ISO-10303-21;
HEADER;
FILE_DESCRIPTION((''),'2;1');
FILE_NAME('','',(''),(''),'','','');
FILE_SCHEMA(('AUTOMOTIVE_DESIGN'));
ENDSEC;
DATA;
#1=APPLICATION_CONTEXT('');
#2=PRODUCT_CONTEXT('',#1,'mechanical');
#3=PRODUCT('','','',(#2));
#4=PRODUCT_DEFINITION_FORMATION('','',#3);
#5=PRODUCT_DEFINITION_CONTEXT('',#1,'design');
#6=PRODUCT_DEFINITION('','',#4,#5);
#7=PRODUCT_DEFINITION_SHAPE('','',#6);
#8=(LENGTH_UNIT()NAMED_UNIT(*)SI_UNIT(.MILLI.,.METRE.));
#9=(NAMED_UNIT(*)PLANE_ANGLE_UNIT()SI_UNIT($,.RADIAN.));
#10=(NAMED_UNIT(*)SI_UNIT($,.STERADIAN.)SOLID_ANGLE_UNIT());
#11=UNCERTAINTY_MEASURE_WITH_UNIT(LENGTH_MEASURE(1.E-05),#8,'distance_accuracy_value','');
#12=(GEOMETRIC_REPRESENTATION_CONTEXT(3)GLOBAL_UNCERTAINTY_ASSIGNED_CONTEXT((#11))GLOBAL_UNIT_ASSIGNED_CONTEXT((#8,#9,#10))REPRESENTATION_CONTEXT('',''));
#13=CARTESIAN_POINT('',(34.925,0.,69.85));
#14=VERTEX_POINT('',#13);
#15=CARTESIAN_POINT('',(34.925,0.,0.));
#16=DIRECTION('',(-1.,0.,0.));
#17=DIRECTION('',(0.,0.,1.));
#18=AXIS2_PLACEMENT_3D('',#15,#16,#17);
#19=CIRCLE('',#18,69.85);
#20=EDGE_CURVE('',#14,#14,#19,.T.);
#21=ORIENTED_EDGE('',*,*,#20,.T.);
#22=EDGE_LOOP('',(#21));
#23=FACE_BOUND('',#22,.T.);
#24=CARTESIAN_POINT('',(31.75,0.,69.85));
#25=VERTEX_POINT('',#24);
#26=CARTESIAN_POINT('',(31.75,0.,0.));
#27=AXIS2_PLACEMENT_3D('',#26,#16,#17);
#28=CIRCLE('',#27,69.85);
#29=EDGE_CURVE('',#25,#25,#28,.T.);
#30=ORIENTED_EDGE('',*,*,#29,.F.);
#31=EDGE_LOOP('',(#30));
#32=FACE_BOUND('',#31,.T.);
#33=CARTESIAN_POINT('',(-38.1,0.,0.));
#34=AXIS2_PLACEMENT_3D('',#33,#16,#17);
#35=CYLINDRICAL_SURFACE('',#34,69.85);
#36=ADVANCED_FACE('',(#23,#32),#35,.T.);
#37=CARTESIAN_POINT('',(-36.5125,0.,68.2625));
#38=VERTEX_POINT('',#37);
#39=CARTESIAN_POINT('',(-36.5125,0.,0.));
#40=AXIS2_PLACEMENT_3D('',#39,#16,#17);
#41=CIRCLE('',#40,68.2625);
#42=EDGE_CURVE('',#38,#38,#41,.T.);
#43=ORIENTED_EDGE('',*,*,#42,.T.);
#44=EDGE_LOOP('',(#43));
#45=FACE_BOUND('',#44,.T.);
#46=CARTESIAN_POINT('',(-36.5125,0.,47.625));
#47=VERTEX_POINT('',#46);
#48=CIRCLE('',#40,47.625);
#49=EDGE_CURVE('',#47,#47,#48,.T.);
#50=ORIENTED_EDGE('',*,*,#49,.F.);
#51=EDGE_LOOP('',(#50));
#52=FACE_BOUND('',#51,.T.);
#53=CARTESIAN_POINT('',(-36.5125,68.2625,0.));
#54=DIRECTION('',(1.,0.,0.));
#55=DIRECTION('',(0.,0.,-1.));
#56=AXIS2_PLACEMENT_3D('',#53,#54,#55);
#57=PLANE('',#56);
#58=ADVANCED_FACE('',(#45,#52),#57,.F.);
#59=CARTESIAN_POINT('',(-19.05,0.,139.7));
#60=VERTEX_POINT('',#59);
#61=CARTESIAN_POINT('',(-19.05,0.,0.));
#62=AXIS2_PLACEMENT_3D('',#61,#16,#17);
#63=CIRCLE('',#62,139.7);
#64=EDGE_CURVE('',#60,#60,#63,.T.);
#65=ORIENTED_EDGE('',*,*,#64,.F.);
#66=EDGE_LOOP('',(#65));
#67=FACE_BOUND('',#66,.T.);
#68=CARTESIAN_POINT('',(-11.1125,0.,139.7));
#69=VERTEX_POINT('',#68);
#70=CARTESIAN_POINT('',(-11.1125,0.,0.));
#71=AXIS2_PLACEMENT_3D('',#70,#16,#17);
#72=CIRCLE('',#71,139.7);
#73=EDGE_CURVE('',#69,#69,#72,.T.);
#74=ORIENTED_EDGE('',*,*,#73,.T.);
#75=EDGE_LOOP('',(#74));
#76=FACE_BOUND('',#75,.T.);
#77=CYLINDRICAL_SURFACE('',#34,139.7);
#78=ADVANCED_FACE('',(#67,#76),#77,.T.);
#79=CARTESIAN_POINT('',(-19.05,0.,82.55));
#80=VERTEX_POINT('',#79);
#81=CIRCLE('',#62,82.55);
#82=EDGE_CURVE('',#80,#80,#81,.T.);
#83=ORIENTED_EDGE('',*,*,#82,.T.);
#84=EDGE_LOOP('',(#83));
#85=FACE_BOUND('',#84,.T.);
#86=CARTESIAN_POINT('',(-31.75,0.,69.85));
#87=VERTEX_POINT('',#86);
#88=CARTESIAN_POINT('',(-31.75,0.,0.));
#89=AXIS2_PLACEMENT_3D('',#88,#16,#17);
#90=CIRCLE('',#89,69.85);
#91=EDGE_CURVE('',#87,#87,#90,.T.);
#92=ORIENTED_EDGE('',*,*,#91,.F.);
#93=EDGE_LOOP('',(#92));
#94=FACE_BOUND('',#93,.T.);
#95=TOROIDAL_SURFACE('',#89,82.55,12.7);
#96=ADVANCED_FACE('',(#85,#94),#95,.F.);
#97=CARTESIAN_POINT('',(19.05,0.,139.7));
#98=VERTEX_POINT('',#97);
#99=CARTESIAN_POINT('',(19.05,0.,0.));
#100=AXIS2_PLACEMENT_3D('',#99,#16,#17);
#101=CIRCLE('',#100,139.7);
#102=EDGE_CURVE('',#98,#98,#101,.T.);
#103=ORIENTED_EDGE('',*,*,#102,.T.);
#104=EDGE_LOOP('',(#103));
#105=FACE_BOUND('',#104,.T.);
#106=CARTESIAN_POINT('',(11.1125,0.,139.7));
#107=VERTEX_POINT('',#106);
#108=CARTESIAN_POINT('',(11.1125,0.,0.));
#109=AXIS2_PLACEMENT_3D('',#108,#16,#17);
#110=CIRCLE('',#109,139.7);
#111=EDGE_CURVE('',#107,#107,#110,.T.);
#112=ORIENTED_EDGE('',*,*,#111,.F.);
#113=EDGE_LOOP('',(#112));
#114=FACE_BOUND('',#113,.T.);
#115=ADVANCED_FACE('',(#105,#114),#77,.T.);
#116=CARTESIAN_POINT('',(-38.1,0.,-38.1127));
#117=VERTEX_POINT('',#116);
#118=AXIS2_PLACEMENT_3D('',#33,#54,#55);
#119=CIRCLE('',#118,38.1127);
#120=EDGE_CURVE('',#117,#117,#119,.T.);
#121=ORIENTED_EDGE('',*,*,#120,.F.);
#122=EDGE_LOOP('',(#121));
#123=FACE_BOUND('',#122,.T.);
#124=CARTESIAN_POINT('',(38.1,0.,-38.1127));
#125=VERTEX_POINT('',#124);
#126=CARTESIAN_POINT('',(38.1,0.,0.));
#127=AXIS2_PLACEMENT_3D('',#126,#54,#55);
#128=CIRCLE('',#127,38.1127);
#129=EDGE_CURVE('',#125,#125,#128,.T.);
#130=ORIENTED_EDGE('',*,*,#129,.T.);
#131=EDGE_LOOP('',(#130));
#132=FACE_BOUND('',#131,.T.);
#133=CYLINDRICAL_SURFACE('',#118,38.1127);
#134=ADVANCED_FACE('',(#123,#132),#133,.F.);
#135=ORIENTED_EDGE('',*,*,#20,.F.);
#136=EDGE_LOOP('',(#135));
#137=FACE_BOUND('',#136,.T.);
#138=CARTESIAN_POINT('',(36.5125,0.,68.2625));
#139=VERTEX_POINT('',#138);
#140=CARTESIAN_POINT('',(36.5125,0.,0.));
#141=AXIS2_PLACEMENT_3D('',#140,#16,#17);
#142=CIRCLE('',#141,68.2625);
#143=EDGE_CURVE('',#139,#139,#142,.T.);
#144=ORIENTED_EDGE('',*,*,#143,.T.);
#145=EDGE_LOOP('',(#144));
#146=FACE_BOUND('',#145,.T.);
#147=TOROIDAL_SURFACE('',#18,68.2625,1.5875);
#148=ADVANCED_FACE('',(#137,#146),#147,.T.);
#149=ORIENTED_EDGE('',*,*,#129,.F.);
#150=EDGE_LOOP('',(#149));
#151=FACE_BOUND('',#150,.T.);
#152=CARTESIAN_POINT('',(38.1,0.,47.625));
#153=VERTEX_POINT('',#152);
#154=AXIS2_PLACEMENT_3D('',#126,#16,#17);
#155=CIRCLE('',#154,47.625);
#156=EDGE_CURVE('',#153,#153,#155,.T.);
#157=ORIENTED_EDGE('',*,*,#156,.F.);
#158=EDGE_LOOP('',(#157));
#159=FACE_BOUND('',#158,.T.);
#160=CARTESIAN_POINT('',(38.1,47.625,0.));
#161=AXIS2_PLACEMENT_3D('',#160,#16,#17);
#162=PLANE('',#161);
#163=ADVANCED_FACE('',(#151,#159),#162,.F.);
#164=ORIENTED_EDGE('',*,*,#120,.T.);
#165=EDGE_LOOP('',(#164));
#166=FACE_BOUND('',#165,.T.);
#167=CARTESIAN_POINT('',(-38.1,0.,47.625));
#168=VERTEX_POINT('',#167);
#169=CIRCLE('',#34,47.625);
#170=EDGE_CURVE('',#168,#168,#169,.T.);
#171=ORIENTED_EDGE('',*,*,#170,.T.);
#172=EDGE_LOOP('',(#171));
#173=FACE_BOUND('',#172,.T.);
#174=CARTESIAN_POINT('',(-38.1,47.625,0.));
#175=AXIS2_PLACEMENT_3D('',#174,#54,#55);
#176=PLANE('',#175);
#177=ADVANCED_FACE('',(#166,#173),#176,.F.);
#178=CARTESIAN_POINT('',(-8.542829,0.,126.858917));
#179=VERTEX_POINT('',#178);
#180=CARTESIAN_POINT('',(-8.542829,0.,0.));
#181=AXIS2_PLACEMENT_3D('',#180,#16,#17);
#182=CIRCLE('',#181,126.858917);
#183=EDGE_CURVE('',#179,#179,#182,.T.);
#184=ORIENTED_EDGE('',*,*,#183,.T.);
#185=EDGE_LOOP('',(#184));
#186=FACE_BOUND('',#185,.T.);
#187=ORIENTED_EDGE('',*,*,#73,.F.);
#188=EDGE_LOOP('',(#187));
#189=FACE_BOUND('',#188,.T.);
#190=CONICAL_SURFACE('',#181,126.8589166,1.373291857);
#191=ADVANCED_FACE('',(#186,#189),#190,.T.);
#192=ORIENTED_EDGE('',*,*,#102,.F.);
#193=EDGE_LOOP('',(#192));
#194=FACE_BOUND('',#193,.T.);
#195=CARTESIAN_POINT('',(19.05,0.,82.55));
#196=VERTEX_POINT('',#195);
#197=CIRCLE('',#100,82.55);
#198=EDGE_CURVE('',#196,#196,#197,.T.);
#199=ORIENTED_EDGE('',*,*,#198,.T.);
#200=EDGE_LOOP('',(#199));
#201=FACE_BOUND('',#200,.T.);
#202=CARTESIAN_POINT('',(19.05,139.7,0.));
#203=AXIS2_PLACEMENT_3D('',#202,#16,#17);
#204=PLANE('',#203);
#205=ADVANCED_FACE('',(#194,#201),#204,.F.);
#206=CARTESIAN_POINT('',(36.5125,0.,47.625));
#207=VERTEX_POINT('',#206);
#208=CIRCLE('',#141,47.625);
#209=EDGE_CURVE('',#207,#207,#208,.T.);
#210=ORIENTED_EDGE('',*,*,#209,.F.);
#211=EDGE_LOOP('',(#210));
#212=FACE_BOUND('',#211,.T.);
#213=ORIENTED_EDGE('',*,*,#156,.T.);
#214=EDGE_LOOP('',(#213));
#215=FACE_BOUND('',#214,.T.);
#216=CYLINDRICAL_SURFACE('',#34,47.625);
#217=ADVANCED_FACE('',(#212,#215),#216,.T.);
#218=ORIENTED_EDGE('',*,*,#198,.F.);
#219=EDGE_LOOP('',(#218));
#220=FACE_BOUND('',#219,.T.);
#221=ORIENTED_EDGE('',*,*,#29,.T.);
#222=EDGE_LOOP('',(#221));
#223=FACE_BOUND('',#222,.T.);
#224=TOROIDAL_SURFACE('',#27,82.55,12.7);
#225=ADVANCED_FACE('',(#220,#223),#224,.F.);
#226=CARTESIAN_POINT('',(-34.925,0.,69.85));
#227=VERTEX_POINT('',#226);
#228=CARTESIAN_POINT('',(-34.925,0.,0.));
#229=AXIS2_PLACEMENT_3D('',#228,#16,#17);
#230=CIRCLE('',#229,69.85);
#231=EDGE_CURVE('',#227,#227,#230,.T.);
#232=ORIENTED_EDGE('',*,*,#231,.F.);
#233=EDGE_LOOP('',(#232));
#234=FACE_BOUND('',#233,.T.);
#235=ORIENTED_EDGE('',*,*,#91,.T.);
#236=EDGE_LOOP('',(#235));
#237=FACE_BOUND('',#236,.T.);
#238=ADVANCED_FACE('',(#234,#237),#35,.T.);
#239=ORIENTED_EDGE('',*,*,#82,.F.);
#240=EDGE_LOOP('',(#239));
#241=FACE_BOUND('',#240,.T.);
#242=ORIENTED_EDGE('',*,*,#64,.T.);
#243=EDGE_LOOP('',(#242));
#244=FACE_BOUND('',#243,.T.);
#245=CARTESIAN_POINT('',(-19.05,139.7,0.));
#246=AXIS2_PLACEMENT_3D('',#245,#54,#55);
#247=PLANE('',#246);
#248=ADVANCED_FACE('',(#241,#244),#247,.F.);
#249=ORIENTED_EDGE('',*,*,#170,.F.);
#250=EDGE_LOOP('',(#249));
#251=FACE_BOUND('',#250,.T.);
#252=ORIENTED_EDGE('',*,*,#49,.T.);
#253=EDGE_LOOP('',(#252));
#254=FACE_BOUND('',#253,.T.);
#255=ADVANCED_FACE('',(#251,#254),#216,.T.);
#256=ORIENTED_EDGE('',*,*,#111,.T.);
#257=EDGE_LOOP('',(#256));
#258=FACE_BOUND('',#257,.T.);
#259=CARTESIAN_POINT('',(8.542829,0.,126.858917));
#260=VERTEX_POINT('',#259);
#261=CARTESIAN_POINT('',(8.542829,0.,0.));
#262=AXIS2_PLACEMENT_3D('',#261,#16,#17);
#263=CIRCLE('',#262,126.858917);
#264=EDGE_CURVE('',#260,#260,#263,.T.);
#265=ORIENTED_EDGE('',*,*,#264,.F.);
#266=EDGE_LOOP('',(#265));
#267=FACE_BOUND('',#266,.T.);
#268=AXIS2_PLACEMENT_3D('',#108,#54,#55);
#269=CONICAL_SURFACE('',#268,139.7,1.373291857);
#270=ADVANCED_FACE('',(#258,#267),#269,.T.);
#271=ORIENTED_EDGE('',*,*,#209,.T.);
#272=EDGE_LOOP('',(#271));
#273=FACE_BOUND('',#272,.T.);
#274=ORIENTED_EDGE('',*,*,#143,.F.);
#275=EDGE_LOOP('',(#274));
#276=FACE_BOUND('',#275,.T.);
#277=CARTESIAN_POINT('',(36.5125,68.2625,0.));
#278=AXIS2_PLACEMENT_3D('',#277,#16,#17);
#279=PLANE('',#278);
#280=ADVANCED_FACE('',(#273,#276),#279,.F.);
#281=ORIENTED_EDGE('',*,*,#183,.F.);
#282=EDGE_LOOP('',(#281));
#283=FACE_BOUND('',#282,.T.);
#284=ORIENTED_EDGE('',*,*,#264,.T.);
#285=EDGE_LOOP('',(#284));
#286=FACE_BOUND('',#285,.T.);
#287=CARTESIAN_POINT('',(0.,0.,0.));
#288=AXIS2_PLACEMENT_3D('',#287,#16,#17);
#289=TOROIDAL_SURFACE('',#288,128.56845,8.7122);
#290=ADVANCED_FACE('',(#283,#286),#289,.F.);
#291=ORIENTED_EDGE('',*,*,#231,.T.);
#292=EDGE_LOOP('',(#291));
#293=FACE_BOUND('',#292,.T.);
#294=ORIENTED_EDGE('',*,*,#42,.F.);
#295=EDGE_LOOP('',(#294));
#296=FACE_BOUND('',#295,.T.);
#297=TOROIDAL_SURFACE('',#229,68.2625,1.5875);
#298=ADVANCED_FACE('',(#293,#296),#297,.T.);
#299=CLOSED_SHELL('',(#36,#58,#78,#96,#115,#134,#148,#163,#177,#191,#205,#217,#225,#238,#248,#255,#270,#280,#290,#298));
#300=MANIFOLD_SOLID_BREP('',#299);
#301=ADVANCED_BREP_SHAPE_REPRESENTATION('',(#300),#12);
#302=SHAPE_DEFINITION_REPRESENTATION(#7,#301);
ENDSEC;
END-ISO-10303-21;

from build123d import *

# Parameters (mm, degrees)
SKETCH2_R          = 38.1127
CUT_EXTRUDE1_DEPTH = 77.2


with BuildPart() as part:
    # Sketch1 → Revolve1 (revolve)
    with BuildSketch(Plane.XY, mode=Mode.PRIVATE) as revolve1_sk:
        with BuildLine():
            Line((-38.1, 47.625), (-38.1, 0))
            Line((-38.1, 0), (38.1, 0))
            Line((38.1, 0), (38.1, 47.625))
            Line((38.1, 47.625), (36.5125, 47.625))
            Line((36.5125, 47.625), (36.5125, 68.2625))
            ThreePointArc((36.5125, 68.2625), (36.047532015, 69.385032015), (34.925, 69.85))
            Line((34.925, 69.85), (31.75, 69.85))
            ThreePointArc((31.75, 69.85), (22.769743879, 73.569743879), (19.05, 82.55))
            Line((19.05, 82.55), (19.05, 139.7))
            Line((19.05, 139.7), (11.1125, 139.7))
            Line((11.1125, 139.7), (8.542828829, 126.8589166))
            ThreePointArc((8.542828829, 126.8589166), (0, 119.85625), (-8.542828829, 126.8589166))
            Line((-8.542828829, 126.8589166), (-11.1125, 139.7))
            Line((-11.1125, 139.7), (-19.05, 139.7))
            Line((-19.05, 139.7), (-19.05, 82.55))
            ThreePointArc((-19.05, 82.55), (-22.769743879, 73.569743879), (-31.75, 69.85))
            Line((-31.75, 69.85), (-34.925, 69.85))
            ThreePointArc((-34.925, 69.85), (-36.047532015, 69.385032015), (-36.5125, 68.2625))
            Line((-36.5125, 68.2625), (-36.5125, 47.625))
            Line((-36.5125, 47.625), (-38.1, 47.625))
        make_face()
    revolve(revolve1_sk.sketch.rotate(Axis((-38.1, 0, 0), (1, 0, 0)), 90), axis=Axis((-38.1, 0, 0), (1, 0, 0)))  # turned: the seam where the file's is

    # Sketch2 → Cut-Extrude1 (cut, through all)
    with BuildSketch(Plane(origin=(38.1, 0, 0), x_dir=(0, 0, -1), z_dir=(1, 0, 0))):
        Circle(SKETCH2_R)
    extrude(amount=-CUT_EXTRUDE1_DEPTH, mode=Mode.SUBTRACT)


solid = part.part
